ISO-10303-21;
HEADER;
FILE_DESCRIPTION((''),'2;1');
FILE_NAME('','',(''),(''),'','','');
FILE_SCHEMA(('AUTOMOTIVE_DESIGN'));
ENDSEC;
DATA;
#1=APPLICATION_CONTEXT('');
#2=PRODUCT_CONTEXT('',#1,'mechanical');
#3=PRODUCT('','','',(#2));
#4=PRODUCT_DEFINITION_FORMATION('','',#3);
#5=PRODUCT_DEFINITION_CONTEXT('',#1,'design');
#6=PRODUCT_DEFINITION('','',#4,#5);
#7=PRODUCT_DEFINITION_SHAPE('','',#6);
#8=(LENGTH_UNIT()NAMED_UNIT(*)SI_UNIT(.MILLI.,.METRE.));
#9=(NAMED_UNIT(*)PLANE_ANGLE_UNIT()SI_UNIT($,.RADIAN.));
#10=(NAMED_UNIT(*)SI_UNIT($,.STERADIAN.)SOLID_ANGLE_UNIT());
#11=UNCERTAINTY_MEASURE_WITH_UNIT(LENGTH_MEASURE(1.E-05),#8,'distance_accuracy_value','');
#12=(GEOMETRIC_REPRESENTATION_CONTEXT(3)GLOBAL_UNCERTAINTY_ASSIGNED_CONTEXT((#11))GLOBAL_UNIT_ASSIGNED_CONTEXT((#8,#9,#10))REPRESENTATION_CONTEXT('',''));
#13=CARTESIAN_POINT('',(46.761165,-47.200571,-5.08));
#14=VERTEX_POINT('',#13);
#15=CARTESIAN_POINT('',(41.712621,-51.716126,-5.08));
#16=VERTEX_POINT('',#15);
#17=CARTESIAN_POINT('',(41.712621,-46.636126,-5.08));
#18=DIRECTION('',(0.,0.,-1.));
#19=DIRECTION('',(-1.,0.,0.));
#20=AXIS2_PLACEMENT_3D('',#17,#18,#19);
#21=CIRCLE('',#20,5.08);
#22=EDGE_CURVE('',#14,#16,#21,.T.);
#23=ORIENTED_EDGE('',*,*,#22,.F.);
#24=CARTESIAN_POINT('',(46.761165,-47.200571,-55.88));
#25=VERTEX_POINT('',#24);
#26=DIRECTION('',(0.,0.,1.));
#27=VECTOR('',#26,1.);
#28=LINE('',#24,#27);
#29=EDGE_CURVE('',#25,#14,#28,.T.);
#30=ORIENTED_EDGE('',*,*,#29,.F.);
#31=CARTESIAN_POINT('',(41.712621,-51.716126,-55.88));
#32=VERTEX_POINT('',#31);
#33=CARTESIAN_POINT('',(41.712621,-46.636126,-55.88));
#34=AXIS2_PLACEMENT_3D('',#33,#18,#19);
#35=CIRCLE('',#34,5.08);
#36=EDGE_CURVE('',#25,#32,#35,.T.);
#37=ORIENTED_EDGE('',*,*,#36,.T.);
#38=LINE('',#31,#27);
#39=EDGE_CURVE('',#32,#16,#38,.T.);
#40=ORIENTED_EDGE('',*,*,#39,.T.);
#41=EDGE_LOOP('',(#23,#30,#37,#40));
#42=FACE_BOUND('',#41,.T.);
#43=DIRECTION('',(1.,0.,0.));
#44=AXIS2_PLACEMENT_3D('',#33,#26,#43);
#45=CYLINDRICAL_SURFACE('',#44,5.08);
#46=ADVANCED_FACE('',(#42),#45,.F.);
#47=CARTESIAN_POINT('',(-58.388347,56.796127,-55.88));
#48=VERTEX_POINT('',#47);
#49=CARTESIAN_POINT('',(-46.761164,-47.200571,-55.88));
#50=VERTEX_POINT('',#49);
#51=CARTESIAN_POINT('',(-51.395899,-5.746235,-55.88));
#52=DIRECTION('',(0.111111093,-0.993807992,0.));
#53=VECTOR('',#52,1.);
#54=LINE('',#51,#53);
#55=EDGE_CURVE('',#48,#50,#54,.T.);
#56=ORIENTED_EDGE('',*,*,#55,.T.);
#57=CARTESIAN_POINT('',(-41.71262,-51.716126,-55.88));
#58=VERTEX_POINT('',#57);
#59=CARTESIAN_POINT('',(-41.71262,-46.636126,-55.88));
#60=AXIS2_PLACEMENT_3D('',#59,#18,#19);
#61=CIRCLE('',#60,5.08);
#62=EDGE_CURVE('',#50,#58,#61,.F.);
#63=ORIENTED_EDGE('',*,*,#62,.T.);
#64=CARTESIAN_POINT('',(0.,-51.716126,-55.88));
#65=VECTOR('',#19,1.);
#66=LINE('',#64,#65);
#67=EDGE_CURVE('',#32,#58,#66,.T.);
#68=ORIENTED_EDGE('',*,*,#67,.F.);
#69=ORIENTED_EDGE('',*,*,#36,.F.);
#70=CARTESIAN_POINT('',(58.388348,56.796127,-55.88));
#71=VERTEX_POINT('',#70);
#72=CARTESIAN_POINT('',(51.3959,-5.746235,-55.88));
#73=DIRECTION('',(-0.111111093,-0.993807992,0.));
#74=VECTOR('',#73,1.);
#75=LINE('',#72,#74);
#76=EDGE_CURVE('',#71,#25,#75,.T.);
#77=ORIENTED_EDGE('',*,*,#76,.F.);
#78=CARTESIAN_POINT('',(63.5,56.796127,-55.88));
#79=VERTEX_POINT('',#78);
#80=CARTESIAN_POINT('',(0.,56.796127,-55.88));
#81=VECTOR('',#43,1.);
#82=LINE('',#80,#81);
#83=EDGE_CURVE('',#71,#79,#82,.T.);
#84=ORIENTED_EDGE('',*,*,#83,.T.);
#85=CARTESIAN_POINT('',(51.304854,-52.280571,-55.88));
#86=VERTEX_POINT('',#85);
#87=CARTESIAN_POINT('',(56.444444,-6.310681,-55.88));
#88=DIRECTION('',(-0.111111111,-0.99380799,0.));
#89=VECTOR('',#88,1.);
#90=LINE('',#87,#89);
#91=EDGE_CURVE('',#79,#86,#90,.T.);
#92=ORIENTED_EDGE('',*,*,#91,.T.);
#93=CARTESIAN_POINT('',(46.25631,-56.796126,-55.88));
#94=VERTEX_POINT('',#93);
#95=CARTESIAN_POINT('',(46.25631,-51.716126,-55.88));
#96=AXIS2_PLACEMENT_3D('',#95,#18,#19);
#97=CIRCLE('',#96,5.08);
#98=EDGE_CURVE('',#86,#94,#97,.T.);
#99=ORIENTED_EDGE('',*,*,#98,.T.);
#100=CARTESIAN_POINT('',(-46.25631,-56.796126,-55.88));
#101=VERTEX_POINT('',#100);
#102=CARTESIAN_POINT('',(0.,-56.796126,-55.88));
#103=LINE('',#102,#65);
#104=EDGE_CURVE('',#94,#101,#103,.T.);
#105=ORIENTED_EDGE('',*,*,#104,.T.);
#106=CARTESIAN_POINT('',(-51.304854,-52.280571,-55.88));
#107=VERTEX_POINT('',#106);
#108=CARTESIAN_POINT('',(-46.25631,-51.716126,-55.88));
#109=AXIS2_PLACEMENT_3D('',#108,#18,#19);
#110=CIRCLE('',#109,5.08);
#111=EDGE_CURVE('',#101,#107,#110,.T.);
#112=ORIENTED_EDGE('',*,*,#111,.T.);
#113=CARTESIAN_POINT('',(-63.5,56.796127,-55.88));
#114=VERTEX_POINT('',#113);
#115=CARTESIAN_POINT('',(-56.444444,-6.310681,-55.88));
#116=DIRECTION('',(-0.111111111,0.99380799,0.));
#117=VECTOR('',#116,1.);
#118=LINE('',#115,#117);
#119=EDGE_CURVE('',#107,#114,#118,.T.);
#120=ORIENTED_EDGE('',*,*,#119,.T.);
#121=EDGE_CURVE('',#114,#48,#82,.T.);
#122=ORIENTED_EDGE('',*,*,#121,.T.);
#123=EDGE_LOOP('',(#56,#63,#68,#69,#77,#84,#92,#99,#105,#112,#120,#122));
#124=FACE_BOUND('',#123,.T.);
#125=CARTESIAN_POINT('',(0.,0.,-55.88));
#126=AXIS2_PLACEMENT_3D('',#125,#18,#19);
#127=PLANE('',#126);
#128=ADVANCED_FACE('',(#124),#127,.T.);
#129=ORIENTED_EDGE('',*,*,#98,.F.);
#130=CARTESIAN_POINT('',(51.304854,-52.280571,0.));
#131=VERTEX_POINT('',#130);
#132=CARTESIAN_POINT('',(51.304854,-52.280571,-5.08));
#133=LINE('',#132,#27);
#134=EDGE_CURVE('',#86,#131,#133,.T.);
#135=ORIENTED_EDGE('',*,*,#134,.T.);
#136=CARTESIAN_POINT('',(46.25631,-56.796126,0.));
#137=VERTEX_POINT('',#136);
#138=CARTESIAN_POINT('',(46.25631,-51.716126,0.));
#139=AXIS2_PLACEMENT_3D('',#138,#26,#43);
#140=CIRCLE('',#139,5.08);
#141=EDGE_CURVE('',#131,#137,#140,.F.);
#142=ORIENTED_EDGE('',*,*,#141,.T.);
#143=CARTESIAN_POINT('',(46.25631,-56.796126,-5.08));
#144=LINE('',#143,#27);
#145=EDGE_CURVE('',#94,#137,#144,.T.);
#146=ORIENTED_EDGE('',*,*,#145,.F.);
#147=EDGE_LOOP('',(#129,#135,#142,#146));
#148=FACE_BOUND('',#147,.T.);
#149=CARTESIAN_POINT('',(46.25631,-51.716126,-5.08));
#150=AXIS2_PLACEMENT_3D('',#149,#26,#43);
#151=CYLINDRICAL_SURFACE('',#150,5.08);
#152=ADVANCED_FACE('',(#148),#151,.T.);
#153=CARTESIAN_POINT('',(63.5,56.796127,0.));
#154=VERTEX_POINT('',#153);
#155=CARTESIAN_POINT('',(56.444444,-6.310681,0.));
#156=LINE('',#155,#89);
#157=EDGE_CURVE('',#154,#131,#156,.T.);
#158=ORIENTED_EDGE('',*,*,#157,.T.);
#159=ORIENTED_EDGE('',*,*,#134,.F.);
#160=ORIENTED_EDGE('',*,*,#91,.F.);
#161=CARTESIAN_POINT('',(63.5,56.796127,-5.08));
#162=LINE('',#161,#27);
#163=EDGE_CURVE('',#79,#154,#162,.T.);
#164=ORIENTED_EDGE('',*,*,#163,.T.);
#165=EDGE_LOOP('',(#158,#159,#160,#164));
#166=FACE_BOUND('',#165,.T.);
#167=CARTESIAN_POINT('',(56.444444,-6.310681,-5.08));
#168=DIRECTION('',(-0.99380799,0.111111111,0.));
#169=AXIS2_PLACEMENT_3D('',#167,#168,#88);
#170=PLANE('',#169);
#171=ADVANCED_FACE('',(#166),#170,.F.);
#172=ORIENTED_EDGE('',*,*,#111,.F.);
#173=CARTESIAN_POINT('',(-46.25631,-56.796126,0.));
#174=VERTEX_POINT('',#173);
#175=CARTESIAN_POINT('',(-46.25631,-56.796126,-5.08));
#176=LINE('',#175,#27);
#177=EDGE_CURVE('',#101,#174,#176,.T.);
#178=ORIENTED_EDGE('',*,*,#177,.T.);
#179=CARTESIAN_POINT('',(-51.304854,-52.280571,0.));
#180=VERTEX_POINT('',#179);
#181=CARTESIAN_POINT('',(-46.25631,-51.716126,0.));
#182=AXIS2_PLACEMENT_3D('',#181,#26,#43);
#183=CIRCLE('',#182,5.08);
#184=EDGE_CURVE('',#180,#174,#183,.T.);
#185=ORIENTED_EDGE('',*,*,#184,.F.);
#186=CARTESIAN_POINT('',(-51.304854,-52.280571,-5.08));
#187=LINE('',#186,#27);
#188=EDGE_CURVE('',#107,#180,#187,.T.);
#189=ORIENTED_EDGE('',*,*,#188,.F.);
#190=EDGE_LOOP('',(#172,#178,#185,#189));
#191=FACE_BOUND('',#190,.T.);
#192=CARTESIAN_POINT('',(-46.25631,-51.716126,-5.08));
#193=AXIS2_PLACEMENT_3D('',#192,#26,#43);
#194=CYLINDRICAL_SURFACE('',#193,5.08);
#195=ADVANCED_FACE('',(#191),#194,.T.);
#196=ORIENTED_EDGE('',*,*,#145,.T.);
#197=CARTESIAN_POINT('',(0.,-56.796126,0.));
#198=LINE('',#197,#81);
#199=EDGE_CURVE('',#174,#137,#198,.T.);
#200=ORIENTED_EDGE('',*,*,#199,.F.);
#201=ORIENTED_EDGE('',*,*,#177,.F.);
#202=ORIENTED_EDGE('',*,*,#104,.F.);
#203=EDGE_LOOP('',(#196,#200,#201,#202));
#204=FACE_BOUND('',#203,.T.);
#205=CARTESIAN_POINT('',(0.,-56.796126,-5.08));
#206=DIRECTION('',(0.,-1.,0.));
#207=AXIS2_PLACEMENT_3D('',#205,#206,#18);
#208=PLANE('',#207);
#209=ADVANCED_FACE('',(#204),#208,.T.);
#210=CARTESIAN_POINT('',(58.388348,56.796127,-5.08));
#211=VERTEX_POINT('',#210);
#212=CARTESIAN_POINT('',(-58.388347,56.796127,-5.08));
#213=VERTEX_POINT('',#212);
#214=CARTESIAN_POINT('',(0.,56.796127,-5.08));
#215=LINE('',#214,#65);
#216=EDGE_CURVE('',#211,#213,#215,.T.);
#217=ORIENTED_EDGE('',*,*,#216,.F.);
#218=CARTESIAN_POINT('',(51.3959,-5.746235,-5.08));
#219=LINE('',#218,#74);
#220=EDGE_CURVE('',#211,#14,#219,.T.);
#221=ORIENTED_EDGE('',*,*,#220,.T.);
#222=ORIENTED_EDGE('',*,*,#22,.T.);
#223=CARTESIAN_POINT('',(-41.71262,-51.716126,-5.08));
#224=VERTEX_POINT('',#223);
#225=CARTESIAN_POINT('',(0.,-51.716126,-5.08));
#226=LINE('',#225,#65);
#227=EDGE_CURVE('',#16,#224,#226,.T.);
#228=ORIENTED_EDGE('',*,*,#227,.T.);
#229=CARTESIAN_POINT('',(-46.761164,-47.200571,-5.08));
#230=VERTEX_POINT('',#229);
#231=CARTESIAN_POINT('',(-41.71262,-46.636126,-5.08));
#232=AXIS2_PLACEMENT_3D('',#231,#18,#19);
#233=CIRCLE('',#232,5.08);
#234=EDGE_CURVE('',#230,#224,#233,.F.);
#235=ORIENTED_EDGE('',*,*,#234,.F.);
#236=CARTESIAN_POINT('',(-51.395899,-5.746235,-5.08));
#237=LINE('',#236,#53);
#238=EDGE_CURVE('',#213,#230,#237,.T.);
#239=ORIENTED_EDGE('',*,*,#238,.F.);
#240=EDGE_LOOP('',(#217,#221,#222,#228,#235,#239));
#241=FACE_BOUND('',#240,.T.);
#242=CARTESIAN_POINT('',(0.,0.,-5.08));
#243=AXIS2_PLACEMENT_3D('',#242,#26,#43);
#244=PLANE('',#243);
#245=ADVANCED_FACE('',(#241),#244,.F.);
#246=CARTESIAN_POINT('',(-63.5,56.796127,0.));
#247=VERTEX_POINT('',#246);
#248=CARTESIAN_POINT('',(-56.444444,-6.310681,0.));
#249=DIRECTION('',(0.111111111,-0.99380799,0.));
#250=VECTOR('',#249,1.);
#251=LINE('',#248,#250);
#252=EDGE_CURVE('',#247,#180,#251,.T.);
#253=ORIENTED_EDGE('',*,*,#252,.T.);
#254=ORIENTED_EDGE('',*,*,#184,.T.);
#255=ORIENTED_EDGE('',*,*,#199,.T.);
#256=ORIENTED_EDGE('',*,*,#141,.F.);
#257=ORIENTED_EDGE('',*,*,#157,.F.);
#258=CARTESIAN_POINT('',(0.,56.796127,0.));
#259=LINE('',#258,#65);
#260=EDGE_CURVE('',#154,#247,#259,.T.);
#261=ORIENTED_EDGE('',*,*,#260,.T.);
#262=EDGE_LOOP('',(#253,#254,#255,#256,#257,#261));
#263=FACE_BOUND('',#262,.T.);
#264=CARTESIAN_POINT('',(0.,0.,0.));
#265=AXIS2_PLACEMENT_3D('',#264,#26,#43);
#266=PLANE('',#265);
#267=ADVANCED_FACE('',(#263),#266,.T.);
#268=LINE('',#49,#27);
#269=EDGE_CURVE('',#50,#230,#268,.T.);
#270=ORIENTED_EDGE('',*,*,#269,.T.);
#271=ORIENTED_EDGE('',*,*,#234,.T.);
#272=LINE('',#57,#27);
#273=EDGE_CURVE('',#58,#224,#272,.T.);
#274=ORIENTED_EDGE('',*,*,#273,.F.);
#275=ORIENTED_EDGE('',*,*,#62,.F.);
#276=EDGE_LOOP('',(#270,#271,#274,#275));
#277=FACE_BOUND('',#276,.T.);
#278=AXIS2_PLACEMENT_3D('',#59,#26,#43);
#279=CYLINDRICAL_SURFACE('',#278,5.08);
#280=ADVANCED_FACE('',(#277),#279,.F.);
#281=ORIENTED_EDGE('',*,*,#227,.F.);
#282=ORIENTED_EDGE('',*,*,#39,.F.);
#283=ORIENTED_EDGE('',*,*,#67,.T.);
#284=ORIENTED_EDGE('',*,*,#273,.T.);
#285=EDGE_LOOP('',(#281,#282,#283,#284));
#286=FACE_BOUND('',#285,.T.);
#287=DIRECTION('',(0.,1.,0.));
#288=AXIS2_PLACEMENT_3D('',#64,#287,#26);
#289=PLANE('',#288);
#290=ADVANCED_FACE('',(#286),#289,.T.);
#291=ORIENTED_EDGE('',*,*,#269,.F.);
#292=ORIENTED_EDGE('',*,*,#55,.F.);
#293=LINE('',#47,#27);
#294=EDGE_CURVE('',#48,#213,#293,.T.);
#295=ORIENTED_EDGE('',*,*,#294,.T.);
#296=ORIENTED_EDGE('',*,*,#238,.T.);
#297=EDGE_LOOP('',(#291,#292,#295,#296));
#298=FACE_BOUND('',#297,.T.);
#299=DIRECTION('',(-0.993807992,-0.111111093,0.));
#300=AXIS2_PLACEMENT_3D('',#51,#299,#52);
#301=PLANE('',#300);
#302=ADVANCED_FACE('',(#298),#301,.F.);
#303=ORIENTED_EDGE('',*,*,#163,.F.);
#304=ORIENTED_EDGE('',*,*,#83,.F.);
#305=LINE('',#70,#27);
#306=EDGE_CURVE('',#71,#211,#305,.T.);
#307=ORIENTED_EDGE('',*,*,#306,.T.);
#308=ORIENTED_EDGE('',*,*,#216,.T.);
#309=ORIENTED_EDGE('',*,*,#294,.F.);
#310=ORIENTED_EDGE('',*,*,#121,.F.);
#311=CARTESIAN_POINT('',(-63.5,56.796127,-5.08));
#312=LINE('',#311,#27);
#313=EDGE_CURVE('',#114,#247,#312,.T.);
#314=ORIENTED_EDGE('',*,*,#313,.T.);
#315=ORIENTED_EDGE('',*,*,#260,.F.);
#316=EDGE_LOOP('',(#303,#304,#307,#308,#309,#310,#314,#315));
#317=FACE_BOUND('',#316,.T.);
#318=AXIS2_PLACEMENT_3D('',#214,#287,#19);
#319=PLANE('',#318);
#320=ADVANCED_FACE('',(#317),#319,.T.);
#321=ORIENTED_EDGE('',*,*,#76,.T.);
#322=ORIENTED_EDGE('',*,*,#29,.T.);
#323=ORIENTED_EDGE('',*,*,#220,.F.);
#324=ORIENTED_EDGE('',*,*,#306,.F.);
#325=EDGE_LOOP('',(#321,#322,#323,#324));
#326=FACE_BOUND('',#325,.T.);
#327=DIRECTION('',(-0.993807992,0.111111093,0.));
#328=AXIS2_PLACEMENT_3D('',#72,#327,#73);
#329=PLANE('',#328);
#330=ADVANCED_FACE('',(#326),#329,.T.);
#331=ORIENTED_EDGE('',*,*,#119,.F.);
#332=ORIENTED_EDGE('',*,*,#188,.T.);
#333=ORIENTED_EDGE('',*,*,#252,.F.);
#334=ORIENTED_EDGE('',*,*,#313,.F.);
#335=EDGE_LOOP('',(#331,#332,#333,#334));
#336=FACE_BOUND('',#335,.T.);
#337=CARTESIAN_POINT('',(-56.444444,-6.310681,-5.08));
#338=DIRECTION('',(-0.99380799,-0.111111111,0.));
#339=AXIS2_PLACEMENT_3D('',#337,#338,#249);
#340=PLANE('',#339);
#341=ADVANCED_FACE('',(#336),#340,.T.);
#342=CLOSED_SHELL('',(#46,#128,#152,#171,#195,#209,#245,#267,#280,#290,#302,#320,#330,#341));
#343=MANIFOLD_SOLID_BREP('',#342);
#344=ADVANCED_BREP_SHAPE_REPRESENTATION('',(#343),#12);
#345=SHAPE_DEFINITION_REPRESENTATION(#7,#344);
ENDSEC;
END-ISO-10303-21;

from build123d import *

# Parameters (mm, degrees)
BOSS_EXTRUDE1_DEPTH = 5.08
BOSS_EXTRUDE2_DEPTH = 50.8


with BuildPart() as part:
    # Sketch1 → Boss-Extrude1 (new body)
    with BuildSketch(Plane.XY):
        with BuildLine():
            Line((63.5, 56.7961272), (-63.5, 56.7961272))
            Line((-63.5, 56.7961272), (-51.304854459, -52.280570501))
            ThreePointArc((-51.304854459, -52.280570501), (-49.642976536, -55.502534499), (-46.25630987, -56.796126057))
            Line((-46.25630987, -56.796126057), (46.25630987, -56.796126057))
            ThreePointArc((46.25630987, -56.796126057), (49.642976536, -55.502534499), (51.304854459, -52.280570501))
            Line((51.304854459, -52.280570501), (63.5, 56.7961272))
        make_face()
    extrude(amount=-BOSS_EXTRUDE1_DEPTH)

    # Sketch2 → Boss-Extrude2 (add)
    with BuildSketch(Plane.XY.offset(-5.08)):
        with BuildLine():
            Line((-58.388346598, 56.7961272), (-63.49999326, 56.7961272))
            Line((-63.49999326, 56.7961272), (-51.304854494, -52.280570501))
            ThreePointArc((-51.304854494, -52.280570501), (-49.642976653, -55.502534705), (-46.25630987, -56.796126367))
            Line((-46.25630987, -56.796126367), (46.256310984, -56.796126367))
            ThreePointArc((46.256310984, -56.796126367), (49.642977767, -55.502534705), (51.304855608, -52.280570501))
            Line((51.304855608, -52.280570501), (63.499994374, 56.7961272))
            Line((63.499994374, 56.7961272), (58.388347712, 56.7961272))
            Line((58.388347712, 56.7961272), (46.761165369, -47.200570717))
            ThreePointArc((46.761165369, -47.200570717), (45.099287471, -50.422534777), (41.712620769, -51.716126367))
            Line((41.712620769, -51.716126367), (-41.712619655, -51.716126367))
            ThreePointArc((-41.712619655, -51.716126367), (-45.099286356, -50.422534777), (-46.761164254, -47.200570717))
            Line((-46.761164254, -47.200570717), (-58.388346598, 56.7961272))
        make_face()
    extrude(amount=-BOSS_EXTRUDE2_DEPTH)


solid = part.part
